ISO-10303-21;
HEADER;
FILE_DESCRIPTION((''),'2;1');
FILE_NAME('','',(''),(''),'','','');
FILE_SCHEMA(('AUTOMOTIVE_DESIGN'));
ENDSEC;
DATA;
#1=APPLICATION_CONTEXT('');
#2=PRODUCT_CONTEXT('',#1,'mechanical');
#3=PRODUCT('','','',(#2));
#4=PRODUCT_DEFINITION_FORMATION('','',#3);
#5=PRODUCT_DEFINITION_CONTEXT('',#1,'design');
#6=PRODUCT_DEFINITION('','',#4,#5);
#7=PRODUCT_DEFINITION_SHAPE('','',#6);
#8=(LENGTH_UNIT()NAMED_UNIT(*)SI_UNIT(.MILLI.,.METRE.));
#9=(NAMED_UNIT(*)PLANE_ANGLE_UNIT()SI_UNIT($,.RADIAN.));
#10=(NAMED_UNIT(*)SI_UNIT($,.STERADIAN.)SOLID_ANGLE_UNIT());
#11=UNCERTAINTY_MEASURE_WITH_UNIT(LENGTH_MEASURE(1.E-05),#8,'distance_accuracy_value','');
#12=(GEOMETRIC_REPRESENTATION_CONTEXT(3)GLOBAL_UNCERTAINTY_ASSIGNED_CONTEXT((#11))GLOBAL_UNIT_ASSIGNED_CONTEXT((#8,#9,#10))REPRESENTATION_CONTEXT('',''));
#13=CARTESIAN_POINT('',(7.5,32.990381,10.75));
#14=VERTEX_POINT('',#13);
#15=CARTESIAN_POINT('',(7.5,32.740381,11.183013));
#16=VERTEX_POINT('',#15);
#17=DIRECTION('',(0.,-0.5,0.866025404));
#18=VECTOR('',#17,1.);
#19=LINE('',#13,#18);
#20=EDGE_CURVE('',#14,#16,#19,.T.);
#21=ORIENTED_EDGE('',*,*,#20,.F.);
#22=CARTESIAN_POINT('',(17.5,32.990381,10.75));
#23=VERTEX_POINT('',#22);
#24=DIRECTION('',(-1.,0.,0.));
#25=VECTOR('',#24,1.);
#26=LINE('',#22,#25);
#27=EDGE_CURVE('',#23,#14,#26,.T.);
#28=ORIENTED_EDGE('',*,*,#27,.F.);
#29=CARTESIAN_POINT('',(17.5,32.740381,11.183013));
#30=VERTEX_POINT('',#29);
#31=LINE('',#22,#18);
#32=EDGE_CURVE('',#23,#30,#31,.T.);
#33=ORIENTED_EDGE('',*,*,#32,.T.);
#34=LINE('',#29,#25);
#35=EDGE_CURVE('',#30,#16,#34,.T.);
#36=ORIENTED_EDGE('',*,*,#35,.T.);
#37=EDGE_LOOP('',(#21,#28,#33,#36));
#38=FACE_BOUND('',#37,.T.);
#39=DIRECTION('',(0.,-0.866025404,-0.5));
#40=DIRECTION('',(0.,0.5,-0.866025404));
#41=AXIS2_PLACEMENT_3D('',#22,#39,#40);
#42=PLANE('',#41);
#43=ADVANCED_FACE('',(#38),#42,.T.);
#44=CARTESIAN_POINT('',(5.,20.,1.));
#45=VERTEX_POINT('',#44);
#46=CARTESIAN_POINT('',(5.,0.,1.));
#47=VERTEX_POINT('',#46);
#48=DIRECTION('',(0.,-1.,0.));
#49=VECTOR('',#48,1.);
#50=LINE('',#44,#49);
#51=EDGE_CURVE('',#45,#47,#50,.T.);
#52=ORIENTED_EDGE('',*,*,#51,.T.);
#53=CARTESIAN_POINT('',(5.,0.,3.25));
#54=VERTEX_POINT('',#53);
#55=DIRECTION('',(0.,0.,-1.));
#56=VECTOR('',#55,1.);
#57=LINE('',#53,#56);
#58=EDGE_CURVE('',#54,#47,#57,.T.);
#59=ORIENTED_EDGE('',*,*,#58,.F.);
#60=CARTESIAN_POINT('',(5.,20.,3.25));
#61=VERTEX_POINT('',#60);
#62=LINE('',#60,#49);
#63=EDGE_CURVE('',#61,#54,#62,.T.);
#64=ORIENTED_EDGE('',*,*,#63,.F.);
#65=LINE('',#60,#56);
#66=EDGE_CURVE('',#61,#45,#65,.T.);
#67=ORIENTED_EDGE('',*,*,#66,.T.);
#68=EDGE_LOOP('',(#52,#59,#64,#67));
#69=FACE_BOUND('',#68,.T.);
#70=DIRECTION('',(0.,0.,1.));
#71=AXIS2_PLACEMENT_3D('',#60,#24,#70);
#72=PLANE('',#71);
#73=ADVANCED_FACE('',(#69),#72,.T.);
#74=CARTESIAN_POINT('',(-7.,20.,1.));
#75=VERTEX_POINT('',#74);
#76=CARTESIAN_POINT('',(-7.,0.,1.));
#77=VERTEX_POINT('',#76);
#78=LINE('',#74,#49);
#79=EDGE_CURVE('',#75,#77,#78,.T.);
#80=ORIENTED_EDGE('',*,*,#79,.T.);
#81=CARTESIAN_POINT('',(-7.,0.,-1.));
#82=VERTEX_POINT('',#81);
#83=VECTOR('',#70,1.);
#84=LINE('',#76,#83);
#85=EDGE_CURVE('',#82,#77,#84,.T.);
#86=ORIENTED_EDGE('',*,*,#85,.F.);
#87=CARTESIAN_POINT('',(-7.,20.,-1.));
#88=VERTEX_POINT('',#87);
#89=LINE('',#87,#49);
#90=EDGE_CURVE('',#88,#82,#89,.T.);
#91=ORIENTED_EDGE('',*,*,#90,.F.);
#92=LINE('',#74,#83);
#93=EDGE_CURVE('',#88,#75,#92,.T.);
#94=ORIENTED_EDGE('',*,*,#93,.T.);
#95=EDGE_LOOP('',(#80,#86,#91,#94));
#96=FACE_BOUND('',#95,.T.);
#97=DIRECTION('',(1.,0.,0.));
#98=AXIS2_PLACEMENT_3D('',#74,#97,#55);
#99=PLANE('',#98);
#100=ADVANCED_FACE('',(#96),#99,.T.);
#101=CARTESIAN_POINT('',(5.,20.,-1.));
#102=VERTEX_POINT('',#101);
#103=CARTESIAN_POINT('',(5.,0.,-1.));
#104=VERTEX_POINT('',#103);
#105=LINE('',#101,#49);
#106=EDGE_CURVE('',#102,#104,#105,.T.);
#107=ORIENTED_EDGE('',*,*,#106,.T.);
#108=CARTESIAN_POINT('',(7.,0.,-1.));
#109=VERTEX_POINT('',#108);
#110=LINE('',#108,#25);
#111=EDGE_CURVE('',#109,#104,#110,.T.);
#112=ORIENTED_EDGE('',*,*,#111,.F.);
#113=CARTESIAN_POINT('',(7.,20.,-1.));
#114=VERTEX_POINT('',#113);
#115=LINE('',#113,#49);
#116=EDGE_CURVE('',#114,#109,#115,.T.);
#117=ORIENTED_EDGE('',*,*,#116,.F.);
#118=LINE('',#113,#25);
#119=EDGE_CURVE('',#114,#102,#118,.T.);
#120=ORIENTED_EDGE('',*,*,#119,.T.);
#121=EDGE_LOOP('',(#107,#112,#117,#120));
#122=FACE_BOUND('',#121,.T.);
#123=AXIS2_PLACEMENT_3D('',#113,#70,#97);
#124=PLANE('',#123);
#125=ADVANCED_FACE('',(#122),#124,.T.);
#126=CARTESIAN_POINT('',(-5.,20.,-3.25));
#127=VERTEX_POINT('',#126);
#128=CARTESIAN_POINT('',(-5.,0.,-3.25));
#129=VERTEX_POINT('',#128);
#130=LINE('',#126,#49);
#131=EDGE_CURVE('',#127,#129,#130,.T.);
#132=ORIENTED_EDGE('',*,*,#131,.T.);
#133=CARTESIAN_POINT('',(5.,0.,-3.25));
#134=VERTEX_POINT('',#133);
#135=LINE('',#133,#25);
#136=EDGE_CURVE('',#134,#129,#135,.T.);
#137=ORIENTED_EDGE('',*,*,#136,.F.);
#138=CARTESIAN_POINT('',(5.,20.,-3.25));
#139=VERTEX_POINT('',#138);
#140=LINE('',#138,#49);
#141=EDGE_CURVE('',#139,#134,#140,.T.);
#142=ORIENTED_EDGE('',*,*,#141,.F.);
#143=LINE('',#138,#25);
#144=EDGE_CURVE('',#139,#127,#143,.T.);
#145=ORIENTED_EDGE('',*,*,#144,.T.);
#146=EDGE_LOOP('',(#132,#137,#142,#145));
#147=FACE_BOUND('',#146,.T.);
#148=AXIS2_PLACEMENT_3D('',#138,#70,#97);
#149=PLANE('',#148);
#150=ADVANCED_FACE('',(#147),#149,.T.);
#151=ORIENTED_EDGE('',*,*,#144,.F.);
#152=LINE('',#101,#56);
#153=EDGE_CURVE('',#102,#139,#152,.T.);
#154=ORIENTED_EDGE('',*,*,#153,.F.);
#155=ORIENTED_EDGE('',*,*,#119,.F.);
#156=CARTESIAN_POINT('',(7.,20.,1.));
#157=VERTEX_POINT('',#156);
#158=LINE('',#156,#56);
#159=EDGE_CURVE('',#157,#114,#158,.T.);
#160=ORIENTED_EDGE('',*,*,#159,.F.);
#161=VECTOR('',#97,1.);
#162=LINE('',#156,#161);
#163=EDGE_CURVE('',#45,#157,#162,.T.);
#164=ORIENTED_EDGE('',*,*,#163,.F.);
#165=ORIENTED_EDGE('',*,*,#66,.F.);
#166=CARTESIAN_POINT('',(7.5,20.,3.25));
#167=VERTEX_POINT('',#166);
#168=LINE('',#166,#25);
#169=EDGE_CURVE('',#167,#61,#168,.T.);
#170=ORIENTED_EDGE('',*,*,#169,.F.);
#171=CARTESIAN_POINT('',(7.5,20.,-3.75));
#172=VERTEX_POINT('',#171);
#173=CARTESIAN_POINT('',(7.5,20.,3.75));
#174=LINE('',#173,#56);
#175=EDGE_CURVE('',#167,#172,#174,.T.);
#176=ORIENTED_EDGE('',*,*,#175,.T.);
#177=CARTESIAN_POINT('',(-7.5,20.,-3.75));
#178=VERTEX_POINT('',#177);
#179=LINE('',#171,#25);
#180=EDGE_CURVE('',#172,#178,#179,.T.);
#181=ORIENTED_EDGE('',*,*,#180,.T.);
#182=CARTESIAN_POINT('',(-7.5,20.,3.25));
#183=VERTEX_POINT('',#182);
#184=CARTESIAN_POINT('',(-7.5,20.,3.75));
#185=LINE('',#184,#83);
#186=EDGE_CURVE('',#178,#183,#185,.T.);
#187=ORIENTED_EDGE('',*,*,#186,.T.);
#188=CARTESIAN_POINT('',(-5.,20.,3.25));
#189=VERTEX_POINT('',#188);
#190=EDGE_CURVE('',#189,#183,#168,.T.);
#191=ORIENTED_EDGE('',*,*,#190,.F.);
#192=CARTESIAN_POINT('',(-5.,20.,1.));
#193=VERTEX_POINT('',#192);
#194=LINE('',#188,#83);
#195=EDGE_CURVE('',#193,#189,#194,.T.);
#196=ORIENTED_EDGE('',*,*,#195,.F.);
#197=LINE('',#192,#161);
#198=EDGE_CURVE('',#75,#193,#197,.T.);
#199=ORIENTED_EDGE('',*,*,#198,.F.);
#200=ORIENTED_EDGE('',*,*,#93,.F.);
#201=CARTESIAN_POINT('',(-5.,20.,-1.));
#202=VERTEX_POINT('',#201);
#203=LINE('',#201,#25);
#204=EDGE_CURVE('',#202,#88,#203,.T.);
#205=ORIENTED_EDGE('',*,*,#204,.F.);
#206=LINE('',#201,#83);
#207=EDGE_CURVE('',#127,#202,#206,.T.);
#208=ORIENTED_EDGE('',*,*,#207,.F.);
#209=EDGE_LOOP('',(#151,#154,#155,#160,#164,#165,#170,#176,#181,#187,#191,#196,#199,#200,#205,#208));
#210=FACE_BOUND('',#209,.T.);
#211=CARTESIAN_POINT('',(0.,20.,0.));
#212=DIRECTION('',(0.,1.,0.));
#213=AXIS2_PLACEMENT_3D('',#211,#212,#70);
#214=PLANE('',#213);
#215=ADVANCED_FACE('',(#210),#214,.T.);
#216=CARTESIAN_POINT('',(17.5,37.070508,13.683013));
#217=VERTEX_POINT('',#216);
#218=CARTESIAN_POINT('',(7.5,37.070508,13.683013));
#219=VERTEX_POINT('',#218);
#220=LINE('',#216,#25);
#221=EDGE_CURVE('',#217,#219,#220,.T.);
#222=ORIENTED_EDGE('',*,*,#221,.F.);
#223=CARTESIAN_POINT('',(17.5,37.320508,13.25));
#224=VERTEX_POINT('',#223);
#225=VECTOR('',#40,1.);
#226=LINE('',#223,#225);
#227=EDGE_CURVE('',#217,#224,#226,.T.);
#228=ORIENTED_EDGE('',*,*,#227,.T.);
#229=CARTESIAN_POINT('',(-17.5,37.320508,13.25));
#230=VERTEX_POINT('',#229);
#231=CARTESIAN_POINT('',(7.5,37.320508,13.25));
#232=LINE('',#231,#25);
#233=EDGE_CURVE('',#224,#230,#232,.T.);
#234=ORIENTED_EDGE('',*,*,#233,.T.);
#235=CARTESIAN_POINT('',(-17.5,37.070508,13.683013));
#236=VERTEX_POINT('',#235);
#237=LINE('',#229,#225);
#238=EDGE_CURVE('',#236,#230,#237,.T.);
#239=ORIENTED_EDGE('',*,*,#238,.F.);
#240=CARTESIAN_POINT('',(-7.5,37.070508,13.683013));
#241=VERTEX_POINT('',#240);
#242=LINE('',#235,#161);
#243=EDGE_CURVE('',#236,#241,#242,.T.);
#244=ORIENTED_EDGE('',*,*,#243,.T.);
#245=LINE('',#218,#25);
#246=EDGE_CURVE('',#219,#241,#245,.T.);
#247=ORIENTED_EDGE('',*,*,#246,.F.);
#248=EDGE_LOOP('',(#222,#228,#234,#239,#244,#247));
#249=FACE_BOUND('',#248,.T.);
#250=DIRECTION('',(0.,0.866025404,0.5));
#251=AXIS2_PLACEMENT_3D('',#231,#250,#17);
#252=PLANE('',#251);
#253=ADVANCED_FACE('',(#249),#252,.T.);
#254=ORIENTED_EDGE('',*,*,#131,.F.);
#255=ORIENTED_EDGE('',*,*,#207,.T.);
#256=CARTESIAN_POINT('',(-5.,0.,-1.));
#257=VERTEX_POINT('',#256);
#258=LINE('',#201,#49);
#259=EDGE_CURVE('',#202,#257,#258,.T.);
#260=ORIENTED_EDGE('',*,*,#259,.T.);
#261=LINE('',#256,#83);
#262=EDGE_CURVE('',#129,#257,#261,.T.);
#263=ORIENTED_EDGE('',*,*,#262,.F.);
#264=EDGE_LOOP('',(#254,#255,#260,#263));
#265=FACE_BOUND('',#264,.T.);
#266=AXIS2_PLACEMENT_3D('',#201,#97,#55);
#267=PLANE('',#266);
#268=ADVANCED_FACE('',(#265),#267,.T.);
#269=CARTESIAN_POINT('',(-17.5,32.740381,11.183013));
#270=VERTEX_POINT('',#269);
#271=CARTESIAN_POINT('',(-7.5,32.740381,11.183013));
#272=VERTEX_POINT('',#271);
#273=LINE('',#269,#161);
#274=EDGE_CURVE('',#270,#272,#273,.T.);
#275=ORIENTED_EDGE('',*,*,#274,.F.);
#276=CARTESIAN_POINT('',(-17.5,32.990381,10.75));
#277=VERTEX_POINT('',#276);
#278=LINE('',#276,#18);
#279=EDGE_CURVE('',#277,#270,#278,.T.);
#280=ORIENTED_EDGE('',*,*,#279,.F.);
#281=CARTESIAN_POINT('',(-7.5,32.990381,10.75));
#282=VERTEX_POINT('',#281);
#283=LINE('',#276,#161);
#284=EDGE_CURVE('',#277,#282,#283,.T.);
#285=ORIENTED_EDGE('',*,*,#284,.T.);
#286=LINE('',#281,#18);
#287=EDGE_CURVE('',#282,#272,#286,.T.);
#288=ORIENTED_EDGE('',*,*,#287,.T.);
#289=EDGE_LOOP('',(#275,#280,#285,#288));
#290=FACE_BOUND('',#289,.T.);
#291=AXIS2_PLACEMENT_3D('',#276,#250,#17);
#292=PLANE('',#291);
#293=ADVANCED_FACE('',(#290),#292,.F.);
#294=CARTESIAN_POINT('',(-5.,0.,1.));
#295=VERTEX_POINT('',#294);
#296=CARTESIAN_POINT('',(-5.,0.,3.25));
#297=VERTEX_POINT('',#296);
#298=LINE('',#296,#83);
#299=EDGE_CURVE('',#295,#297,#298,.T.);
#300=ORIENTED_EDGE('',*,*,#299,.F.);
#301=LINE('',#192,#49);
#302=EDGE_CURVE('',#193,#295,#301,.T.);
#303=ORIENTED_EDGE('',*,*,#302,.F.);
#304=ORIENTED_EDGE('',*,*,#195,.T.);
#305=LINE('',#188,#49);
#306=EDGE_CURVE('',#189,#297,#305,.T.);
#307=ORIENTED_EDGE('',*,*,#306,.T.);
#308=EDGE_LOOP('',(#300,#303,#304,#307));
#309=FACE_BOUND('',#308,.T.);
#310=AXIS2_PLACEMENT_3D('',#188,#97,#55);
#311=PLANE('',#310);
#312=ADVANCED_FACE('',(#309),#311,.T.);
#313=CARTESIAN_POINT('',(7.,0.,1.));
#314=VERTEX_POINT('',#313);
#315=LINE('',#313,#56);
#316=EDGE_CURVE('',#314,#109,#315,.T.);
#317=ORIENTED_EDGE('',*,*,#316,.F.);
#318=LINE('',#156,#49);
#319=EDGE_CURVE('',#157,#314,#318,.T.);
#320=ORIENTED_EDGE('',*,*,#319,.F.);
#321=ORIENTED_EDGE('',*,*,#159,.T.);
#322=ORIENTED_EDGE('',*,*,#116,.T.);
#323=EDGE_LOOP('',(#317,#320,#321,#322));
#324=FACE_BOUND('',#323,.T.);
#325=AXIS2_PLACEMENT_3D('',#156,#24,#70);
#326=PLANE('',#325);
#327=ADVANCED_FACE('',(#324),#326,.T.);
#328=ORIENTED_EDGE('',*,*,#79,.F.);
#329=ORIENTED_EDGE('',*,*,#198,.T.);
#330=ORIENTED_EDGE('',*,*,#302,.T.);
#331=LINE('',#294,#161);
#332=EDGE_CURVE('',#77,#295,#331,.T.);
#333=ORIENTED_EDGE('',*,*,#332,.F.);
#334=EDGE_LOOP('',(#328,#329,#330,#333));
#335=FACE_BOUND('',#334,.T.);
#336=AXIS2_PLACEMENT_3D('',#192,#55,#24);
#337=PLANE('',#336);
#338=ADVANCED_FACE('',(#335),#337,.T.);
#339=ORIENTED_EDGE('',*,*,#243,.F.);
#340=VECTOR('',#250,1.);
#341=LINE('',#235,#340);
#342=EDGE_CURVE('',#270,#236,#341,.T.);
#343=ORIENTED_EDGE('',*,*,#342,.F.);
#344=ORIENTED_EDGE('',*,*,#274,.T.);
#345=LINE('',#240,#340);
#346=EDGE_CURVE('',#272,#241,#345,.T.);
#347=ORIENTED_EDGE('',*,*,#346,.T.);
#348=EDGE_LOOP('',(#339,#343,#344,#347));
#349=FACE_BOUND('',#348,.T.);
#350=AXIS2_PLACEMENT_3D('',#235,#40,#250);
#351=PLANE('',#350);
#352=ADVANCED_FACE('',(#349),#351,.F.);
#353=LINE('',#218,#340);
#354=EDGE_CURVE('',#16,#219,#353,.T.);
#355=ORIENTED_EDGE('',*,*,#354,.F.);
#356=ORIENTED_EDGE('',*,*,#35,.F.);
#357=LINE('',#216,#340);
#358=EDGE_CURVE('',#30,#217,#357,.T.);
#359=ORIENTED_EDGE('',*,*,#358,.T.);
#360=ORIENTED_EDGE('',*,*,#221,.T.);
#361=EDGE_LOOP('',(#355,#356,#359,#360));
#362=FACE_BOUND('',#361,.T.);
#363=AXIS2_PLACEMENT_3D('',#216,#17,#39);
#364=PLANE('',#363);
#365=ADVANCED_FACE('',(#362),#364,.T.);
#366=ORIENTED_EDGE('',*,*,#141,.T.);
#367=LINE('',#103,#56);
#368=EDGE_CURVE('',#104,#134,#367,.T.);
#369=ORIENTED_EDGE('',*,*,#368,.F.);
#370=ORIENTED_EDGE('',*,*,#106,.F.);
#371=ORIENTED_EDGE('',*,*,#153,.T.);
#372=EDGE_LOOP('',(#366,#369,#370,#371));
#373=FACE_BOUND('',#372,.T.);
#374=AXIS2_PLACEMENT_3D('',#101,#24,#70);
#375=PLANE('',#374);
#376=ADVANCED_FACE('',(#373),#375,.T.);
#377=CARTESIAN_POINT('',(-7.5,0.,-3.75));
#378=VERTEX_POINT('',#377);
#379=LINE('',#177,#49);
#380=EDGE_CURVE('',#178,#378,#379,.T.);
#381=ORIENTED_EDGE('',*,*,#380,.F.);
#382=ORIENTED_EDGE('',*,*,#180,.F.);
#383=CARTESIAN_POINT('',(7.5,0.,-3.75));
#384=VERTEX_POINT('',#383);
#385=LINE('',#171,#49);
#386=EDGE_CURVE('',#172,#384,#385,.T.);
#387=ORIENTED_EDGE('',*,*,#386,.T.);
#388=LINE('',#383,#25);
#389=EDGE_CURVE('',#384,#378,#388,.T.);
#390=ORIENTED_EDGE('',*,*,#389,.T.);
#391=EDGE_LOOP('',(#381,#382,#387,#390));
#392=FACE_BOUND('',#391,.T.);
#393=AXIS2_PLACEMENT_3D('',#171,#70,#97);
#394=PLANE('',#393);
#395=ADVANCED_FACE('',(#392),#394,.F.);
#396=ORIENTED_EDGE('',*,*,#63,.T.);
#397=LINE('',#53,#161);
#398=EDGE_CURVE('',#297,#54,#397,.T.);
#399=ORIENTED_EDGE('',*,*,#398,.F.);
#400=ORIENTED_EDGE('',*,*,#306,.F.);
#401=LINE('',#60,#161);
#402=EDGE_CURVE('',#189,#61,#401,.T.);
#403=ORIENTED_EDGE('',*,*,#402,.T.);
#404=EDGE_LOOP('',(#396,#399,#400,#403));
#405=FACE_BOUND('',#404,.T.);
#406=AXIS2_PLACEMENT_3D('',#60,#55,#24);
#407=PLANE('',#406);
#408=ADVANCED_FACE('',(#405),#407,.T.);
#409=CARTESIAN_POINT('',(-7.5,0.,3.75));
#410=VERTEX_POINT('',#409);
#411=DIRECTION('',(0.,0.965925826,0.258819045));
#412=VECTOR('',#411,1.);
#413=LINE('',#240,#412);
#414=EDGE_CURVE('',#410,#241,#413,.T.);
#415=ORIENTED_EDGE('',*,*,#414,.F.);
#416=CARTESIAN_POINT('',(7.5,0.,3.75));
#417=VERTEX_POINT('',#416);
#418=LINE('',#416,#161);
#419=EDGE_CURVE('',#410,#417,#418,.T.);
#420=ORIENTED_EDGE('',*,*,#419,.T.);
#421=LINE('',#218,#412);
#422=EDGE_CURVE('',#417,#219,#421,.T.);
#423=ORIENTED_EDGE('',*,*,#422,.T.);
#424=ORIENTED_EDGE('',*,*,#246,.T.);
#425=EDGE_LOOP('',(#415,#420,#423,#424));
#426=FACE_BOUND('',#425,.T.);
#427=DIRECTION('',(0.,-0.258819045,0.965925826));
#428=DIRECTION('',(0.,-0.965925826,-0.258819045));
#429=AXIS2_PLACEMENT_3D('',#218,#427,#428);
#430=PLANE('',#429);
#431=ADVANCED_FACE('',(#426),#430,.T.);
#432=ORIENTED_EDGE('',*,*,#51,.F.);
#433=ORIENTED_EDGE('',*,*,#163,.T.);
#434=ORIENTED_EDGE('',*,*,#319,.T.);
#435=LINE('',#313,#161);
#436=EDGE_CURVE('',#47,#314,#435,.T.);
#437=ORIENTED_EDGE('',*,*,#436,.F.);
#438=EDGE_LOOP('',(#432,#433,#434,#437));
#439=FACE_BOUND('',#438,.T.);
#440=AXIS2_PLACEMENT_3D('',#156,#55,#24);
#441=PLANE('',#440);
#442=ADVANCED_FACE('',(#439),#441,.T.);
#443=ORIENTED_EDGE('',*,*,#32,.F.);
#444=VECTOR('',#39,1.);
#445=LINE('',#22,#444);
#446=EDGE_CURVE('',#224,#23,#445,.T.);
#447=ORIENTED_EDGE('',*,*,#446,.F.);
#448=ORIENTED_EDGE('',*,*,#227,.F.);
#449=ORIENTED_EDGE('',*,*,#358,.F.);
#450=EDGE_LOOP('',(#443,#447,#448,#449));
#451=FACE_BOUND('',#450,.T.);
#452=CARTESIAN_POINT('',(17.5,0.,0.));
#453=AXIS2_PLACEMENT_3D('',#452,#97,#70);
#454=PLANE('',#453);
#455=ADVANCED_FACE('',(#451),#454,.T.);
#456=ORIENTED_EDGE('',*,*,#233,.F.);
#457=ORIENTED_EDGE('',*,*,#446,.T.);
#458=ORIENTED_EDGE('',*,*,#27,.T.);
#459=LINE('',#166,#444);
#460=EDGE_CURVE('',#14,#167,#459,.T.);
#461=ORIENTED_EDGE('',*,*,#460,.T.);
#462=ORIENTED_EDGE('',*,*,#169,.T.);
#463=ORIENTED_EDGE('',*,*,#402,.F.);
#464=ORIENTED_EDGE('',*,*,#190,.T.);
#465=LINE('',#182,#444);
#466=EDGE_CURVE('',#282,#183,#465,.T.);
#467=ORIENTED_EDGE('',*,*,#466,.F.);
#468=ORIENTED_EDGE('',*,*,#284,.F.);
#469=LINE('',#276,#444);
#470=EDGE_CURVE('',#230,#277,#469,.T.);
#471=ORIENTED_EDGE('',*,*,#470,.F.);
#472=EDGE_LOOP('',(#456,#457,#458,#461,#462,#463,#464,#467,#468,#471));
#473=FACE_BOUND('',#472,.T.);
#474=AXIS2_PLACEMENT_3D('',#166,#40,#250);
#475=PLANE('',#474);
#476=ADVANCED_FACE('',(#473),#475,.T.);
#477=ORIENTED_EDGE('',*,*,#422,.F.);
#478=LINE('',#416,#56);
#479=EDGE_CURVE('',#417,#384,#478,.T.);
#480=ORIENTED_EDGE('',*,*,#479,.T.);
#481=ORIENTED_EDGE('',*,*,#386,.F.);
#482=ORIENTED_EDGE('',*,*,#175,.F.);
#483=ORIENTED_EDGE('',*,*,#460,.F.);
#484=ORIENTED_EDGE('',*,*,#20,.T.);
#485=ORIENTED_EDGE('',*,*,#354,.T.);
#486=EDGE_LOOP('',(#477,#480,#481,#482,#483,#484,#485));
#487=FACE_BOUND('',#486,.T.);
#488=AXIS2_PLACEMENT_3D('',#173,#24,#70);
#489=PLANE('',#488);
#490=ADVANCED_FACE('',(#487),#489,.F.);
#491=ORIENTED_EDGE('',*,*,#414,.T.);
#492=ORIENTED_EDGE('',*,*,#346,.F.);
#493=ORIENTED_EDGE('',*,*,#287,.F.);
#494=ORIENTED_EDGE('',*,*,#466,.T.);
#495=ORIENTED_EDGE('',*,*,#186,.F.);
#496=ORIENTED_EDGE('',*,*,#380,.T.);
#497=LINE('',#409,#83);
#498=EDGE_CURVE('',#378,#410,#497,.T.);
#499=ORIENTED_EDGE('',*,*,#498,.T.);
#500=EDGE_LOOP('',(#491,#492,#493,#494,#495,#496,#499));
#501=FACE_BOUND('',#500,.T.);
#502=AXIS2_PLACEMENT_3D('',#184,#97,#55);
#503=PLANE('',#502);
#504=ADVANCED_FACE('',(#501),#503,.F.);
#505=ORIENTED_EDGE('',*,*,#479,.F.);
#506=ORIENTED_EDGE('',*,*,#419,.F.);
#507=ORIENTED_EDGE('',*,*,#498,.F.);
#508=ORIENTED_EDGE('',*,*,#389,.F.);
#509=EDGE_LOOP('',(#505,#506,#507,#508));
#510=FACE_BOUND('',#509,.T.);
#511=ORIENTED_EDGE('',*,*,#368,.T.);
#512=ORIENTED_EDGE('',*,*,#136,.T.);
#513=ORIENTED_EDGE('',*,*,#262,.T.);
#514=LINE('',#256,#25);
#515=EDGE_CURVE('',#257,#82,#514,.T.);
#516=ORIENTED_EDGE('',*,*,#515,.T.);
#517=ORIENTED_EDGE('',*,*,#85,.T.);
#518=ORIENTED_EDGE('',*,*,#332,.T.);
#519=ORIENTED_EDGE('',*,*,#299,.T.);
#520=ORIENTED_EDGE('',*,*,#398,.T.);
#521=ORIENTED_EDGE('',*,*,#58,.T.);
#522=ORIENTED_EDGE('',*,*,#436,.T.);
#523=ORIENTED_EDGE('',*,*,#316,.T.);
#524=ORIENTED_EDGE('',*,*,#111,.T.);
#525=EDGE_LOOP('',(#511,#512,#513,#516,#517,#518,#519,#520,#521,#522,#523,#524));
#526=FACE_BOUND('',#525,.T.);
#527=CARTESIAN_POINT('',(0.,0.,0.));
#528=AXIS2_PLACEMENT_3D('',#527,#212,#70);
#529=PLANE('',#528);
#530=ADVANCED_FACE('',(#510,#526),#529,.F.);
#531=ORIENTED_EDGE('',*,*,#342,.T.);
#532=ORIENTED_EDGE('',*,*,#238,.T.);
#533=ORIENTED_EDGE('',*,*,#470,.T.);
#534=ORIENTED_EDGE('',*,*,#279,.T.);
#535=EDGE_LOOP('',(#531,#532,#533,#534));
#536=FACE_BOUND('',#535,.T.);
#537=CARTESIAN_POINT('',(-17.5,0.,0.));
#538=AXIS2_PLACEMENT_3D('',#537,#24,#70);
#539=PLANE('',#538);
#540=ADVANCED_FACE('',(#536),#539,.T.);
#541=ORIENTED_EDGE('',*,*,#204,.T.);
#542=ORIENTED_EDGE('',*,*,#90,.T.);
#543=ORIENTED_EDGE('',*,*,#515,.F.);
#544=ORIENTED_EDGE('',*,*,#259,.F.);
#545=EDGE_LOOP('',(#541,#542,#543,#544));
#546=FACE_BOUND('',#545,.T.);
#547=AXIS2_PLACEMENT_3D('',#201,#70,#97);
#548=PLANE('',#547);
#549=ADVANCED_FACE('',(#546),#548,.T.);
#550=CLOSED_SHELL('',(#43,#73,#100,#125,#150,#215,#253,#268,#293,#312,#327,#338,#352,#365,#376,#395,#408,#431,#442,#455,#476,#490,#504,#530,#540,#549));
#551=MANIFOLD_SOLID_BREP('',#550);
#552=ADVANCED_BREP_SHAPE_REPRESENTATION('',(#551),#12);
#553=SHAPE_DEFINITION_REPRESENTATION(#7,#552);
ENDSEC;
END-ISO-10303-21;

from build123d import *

# Parameters (mm, degrees)
SKIZZE1_W                       = 15
SKIZZE1_H                       = 7.5
AUFSATZ_LINEAR_AUSTRAGEN1_DEPTH = 20
AUFSATZ_LINEAR_AUSTRAGEN2_DEPTH = 15
AUFSATZ_LINEAR_AUSTRAGEN3_DEPTH = 10


with BuildPart() as part:
    # Skizze1 → Aufsatz-Linear austragen1 (new body)
    with BuildSketch(Plane(origin=(0, 0, 0), x_dir=(1, 0, 0), z_dir=(0, 1, 0))):
        Rectangle(SKIZZE1_W, SKIZZE1_H)
        Polygon((-5, 1), (-5, 3.25), (5, 3.25), (5, 1), (7, 1), (7, -1), (5, -1), (5, -3.25), (-5, -3.25), (-5, -1), (-7, -1), (-7, 1), align=None, mode=Mode.SUBTRACT)
    extrude(amount=AUFSATZ_LINEAR_AUSTRAGEN1_DEPTH)

    # Skizze2 → Aufsatz-Linear austragen2 (add)
    with BuildSketch(Plane.ZY.offset(7.5)):
        Polygon((3.75, 0), (3.75, 20), (3.25, 20), (13.25, 37.320508076), (13.683012702, 37.070508076), align=None)
    extrude(amount=-AUFSATZ_LINEAR_AUSTRAGEN2_DEPTH)

    # Skizze4 → Aufsatz-Linear austragen3 (add)
    with BuildSketch(Plane.ZY.offset(7.5)):
        Polygon((10.75, 32.990381057), (11.183012702, 32.740381057), (13.683012702, 37.070508076), (13.25, 37.320508076), align=None)
    aufsatz_linear_austragen3 = extrude(amount=AUFSATZ_LINEAR_AUSTRAGEN3_DEPTH)

    # Spiegeln3: Aufsatz-Linear austragen3 across plane
    add(aufsatz_linear_austragen3.mirror(Plane(origin=(0, 0, 0), x_dir=(0, 0, 1), z_dir=(1, 0, 0))))


solid = part.part
